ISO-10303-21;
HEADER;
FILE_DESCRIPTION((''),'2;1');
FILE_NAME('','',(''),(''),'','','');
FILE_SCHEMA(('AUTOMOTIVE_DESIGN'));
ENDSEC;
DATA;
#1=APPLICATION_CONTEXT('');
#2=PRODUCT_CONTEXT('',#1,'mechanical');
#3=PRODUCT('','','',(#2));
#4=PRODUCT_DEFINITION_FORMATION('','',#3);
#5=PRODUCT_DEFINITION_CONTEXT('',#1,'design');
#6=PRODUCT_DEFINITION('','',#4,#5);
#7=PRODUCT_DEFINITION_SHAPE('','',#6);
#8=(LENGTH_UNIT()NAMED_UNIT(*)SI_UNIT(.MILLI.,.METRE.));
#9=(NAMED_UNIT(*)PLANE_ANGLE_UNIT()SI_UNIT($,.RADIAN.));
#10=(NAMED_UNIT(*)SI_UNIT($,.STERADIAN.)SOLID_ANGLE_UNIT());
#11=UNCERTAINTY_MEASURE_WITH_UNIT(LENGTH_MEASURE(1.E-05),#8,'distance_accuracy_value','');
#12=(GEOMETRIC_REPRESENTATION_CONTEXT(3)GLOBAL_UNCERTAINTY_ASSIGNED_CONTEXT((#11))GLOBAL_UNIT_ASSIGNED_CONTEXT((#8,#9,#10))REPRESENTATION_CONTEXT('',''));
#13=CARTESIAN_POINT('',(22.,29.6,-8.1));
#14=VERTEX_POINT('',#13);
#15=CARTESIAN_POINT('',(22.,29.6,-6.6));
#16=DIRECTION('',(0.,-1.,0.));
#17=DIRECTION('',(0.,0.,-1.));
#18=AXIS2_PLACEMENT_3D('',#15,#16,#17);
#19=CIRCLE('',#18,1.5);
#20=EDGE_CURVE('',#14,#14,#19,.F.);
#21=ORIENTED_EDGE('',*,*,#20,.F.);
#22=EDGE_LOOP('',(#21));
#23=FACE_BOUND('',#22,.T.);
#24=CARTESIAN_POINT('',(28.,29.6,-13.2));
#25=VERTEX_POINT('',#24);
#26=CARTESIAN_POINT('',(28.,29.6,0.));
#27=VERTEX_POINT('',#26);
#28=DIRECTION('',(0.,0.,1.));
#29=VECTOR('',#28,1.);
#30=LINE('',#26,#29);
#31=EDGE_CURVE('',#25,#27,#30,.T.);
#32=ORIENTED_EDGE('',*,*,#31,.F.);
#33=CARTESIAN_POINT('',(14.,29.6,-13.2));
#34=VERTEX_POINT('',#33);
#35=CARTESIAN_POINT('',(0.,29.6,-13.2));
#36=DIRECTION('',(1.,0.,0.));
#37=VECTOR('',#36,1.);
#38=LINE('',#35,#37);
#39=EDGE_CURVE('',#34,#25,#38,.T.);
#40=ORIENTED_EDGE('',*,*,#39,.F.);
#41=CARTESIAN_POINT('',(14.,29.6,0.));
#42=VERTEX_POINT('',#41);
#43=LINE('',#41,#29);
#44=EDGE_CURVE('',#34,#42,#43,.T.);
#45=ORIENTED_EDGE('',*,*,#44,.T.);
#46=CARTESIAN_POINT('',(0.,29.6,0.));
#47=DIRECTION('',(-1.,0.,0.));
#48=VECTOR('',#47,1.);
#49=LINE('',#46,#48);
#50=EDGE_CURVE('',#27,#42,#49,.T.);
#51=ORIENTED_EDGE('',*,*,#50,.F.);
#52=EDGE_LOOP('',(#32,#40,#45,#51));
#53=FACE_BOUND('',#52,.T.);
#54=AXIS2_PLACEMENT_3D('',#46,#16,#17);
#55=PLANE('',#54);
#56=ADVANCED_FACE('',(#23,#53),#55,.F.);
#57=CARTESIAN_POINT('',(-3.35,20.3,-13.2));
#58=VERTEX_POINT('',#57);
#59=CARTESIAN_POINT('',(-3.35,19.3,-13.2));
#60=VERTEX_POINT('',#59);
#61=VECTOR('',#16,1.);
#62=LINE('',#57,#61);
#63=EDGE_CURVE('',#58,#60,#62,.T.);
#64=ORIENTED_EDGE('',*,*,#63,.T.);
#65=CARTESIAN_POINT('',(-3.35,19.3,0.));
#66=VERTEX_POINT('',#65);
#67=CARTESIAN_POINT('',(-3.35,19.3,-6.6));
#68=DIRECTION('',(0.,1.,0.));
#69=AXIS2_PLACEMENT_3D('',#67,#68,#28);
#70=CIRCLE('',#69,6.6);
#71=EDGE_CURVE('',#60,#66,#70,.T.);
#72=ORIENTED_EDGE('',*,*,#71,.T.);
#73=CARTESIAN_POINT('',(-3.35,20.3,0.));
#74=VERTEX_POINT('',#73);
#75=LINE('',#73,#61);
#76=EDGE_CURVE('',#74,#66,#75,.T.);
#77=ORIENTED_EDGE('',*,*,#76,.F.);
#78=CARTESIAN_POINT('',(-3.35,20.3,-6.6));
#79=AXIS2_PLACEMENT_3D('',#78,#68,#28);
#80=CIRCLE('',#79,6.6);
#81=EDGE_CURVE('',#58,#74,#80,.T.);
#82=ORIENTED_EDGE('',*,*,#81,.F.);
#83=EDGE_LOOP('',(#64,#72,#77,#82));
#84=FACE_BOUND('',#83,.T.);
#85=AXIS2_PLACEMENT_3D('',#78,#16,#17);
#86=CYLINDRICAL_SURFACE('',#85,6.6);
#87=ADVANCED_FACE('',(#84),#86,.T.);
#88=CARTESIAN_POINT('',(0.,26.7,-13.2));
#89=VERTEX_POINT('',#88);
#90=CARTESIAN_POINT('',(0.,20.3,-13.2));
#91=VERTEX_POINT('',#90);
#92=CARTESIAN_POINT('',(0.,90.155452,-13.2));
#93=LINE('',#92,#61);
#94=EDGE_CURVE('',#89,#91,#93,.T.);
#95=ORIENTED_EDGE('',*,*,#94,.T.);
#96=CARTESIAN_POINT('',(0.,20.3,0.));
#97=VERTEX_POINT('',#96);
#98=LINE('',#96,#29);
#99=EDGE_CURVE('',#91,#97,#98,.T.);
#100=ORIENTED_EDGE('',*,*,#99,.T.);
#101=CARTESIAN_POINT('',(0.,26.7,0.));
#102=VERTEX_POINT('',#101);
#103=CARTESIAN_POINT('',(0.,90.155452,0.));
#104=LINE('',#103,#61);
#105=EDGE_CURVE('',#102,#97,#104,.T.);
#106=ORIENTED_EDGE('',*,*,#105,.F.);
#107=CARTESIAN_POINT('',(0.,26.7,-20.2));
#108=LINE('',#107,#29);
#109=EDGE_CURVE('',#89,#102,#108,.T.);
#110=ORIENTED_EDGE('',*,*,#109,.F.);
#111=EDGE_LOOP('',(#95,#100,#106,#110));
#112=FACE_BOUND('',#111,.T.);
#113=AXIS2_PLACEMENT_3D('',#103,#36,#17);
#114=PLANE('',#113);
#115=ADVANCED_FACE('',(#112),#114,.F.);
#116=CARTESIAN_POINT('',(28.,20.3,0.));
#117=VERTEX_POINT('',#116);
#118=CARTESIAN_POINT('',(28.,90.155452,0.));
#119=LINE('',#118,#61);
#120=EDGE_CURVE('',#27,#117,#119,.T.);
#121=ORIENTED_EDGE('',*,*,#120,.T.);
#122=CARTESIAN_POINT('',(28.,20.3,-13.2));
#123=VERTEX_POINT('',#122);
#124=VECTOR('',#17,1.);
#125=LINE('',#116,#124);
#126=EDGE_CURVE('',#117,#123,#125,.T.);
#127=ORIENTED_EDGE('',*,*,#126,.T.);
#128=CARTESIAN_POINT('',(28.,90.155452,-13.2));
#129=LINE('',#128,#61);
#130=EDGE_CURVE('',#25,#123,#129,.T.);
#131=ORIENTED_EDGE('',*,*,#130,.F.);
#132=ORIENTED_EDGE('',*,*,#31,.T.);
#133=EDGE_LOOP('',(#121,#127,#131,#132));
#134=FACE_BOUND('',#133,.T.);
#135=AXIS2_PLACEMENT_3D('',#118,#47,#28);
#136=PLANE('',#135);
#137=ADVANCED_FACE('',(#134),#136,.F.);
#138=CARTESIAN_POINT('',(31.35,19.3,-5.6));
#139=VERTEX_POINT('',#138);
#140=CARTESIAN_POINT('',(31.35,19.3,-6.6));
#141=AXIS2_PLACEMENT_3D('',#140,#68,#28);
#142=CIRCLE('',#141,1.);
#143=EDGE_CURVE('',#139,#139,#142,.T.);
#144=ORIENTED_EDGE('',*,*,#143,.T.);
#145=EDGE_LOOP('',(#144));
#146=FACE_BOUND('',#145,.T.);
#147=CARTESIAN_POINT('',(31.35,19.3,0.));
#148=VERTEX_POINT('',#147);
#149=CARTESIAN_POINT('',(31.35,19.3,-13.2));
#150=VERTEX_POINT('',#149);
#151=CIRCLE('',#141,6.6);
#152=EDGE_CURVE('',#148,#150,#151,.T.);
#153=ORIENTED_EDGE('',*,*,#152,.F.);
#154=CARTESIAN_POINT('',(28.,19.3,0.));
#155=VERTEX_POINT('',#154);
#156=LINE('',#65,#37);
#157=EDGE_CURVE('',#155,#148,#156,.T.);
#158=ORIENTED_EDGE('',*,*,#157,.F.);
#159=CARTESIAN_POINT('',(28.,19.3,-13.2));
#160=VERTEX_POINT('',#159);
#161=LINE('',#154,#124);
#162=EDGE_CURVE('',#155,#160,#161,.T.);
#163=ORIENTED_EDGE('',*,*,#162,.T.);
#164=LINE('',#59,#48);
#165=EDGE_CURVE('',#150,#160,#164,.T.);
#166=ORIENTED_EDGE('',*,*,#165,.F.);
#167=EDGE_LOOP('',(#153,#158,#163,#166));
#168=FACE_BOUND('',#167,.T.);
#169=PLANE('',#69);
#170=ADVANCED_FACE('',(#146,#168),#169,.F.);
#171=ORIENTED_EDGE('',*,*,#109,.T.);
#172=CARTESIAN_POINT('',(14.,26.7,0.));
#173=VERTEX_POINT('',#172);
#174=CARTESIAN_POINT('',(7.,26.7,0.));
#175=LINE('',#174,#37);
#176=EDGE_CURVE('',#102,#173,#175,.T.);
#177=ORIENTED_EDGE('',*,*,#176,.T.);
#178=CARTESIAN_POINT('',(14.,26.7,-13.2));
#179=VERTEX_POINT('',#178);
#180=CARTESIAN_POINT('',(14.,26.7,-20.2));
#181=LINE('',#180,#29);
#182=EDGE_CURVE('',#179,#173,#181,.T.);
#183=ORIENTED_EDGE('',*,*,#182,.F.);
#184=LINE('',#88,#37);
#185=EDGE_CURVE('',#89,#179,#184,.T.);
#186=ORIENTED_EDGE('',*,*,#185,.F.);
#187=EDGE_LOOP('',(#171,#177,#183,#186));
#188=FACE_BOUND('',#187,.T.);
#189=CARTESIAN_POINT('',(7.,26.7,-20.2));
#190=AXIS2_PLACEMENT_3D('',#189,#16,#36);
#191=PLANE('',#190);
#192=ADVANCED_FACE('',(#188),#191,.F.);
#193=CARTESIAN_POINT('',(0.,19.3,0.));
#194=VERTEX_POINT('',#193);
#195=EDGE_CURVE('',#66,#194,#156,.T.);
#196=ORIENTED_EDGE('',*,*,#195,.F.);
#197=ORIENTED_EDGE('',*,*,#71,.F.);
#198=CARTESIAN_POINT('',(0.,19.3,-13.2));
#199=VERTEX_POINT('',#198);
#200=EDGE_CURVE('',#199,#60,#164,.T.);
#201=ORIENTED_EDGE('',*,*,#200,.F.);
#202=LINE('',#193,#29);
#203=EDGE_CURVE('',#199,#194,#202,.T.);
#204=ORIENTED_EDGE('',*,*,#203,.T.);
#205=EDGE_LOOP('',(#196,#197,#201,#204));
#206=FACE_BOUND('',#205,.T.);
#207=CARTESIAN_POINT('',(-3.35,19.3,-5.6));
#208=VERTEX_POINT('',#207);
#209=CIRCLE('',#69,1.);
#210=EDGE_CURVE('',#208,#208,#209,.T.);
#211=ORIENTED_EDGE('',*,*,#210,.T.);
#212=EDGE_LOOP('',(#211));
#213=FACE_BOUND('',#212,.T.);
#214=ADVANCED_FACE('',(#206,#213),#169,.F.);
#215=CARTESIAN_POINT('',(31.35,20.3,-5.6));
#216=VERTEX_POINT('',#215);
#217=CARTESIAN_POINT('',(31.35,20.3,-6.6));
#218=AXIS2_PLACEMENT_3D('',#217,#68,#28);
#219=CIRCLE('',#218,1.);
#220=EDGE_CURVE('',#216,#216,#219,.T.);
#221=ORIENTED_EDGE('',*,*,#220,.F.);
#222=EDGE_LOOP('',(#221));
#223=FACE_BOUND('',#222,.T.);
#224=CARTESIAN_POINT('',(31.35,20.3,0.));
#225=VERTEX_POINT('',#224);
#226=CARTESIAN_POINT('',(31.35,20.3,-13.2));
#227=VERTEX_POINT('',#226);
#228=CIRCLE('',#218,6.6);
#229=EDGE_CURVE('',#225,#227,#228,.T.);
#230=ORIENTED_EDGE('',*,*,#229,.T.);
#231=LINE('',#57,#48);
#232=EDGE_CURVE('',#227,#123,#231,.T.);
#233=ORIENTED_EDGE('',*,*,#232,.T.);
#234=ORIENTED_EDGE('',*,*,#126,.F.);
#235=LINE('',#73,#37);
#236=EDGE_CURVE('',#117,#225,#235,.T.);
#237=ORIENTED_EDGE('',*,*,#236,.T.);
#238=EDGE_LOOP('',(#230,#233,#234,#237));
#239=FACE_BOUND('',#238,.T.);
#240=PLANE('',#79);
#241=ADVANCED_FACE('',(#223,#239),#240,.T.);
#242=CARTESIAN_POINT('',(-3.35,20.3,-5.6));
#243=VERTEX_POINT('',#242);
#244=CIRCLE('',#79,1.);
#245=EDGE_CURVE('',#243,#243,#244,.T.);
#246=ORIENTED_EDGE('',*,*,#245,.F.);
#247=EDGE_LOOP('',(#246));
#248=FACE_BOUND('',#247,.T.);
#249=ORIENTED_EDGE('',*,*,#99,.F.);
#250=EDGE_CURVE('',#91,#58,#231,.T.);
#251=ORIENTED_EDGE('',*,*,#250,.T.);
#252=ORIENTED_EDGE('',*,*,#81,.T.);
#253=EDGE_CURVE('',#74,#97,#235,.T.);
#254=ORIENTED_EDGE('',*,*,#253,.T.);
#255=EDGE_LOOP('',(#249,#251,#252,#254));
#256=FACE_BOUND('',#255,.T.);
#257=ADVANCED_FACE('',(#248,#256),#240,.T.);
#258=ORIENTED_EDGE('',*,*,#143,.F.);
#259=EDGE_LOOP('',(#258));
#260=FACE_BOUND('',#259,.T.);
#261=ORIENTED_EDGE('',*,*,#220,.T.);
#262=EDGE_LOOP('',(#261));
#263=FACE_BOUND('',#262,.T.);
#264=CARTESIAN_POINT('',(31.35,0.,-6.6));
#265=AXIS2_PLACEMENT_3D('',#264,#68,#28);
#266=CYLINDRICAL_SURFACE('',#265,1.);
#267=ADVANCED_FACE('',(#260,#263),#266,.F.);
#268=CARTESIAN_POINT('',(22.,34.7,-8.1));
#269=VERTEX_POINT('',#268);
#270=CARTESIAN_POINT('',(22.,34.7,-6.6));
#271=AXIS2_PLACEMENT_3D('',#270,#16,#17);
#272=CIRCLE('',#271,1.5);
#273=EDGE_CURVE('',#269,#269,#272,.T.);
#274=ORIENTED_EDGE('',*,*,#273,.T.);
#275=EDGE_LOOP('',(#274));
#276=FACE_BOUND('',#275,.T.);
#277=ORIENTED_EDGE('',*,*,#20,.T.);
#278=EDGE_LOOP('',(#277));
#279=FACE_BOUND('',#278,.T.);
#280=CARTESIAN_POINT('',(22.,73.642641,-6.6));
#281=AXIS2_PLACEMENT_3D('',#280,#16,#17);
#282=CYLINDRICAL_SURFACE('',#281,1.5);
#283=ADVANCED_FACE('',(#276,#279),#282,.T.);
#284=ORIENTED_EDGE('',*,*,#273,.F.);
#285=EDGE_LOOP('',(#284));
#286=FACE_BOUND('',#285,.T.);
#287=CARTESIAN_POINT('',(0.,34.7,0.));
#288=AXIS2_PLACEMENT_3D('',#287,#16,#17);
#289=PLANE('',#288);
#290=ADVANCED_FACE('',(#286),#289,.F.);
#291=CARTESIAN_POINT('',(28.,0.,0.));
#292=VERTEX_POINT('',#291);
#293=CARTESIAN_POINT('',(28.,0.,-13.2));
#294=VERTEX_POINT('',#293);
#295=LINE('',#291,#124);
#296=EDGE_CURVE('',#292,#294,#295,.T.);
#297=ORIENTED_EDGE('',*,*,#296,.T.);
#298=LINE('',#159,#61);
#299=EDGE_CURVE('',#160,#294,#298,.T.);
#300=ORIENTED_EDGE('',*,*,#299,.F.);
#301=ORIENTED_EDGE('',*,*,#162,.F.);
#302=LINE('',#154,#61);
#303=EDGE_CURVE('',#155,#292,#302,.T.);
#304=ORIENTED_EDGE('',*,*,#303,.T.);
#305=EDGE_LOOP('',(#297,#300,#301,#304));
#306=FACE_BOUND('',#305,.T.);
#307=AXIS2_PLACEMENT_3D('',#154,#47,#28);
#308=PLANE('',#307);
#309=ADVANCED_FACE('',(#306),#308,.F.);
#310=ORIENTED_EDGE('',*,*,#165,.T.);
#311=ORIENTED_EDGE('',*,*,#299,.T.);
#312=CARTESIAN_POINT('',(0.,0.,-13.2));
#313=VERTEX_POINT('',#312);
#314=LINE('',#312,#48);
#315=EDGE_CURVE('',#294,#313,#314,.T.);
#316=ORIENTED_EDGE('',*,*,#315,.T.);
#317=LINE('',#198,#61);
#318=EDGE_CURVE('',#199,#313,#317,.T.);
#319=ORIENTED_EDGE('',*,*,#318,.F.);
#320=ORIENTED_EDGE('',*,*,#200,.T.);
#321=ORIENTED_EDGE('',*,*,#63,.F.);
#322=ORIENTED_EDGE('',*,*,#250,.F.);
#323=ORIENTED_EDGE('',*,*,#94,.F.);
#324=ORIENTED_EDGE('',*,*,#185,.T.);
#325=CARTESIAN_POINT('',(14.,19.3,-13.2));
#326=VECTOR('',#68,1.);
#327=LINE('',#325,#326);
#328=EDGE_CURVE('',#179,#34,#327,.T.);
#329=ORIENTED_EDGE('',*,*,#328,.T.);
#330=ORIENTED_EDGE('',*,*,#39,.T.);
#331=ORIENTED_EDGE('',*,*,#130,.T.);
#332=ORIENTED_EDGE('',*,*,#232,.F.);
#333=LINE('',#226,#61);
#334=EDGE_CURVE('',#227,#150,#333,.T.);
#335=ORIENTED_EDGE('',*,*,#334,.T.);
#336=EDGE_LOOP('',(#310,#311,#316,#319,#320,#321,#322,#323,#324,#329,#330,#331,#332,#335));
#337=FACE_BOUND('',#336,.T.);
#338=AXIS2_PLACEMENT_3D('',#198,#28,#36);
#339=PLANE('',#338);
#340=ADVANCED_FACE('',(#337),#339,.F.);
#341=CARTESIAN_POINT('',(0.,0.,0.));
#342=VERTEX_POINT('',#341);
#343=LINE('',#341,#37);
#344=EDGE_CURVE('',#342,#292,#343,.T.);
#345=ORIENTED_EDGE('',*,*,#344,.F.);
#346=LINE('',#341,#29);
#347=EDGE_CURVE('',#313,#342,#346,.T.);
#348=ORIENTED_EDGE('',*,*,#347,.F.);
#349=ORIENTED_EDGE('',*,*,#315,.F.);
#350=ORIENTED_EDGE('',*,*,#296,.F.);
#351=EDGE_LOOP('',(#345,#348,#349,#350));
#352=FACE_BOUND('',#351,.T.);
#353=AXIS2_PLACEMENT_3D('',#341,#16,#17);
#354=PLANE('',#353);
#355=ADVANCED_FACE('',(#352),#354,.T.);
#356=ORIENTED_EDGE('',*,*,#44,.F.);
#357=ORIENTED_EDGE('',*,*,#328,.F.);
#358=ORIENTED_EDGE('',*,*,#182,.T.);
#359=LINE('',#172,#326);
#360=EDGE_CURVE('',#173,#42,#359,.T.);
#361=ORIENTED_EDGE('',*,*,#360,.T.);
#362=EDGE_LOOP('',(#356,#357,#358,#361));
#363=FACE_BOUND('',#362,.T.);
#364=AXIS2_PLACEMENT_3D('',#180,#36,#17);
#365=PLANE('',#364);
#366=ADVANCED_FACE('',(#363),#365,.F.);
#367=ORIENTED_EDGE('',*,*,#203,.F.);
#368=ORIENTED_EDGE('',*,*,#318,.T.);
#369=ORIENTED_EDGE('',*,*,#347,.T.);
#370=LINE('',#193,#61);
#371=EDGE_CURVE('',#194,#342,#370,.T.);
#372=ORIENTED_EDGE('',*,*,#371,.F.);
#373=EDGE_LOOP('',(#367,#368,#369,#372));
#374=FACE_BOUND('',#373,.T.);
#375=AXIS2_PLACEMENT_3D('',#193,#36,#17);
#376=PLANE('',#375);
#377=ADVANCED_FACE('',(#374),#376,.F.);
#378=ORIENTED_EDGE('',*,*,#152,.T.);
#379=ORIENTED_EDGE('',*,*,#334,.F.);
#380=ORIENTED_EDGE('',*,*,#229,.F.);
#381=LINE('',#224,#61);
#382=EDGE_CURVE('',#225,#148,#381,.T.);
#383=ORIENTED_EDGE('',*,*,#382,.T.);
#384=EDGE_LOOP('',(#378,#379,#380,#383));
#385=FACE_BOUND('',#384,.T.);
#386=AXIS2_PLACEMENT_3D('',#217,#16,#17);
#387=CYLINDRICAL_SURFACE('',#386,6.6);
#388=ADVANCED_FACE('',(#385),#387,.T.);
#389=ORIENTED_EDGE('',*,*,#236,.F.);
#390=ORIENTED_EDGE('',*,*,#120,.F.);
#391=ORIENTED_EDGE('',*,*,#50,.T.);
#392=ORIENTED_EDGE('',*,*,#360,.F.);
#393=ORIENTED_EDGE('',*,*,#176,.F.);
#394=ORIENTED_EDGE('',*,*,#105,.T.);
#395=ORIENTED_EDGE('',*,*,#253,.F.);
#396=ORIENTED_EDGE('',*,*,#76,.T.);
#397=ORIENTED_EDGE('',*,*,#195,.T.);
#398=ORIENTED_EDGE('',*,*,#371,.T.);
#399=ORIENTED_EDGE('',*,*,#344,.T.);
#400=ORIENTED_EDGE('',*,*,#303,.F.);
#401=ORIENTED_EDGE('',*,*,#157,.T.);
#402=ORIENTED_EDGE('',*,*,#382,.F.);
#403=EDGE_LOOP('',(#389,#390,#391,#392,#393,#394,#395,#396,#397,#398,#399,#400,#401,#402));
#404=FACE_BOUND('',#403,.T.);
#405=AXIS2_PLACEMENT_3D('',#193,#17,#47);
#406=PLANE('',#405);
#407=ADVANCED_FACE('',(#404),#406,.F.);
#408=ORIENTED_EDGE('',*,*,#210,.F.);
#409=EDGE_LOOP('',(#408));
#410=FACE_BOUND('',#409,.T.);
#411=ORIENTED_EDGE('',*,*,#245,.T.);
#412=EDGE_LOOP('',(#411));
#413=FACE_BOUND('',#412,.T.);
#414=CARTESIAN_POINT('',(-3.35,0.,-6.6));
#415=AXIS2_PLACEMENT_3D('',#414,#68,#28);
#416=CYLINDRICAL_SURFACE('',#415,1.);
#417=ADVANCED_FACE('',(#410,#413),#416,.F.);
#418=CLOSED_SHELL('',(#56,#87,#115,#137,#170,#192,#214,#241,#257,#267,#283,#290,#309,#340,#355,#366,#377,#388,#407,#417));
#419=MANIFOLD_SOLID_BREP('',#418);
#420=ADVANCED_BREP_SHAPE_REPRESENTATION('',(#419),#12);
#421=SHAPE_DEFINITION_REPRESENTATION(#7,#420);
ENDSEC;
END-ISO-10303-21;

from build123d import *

# Parameters (mm, degrees)
SKETCH1_W           = 28
SKETCH1_H           = 13.2
BOSS_EXTRUDE1_DEPTH = 19.3
BOSS_EXTRUDE2_DEPTH = 1
SKETCH3_W           = 28
SKETCH3_H           = 13.2
BOSS_EXTRUDE3_DEPTH = 9.3
CUT_EXTRUDE1_DEPTH  = 20.2
SKETCH5_R           = 1
CUT_EXTRUDE2_DEPTH  = 46.017024557
SKETCH6_R           = 1.5
BOSS_EXTRUDE4_DEPTH = 5.1


with BuildPart() as part:
    # Sketch1 → Boss-Extrude1 (new body)
    with BuildSketch(Plane(origin=(0, 0, 0), x_dir=(1, 0, 0), z_dir=(0, 1, 0))):
        with Locations((14, 6.6)):
            Rectangle(SKETCH1_W, SKETCH1_H)
    extrude(amount=BOSS_EXTRUDE1_DEPTH)

    # Sketch2 → Boss-Extrude2 (add)
    with BuildSketch(Plane(origin=(0, 19.3, 0), x_dir=(1, 0, 0), z_dir=(0, 1, 0))):
        with BuildLine():
            Line((-3.35, 13.2), (31.35, 13.2))
            ThreePointArc((31.35, 13.2), (37.95, 6.6), (31.35, 0))
            Line((31.35, 0), (-3.35, 0))
            ThreePointArc((-3.35, 0), (-9.95, 6.6), (-3.35, 13.2))
        make_face()
    extrude(amount=BOSS_EXTRUDE2_DEPTH)

    # Sketch3 → Boss-Extrude3 (add)
    with BuildSketch(Plane(origin=(0, 20.3, 0), x_dir=(1, 0, 0), z_dir=(0, 1, 0))):
        with Locations((14, 6.6)):
            Rectangle(SKETCH3_W, SKETCH3_H)
    extrude(amount=BOSS_EXTRUDE3_DEPTH)

    # Sketch4 → Cut-Extrude1 (cut)
    with BuildSketch(Plane.XY):
        Polygon((0, 26.7), (7, 26.7), (14, 26.7), (14, 29.6), (28, 29.6), (28, 24.95), (30, 24.95), (30, 31.6), (0, 31.6), align=None)
    extrude(amount=-CUT_EXTRUDE1_DEPTH, mode=Mode.SUBTRACT)

    # Sketch5 → Cut-Extrude2 (cut, through all)
    with BuildSketch(Plane(origin=(0, 20.3, 0), x_dir=(1, 0, 0), z_dir=(0, 1, 0))):
        with Locations(Location((-3.35, 6.6, 0), (0, 0, 270))):
            Circle(SKETCH5_R)
        with Locations(Location((31.35, 6.6, 0), (0, 0, 270))):
            Circle(SKETCH5_R)
    extrude(amount=-CUT_EXTRUDE2_DEPTH, mode=Mode.SUBTRACT)

    # Sketch6 → Boss-Extrude4 (add)
    with BuildSketch(Plane(origin=(0, 29.6, 0), x_dir=(1, 0, 0), z_dir=(0, 1, 0))):
        with Locations(Location((22, 6.6, 0), (0, 0, 90))):
            Circle(SKETCH6_R)
    extrude(amount=BOSS_EXTRUDE4_DEPTH)


solid = part.part
